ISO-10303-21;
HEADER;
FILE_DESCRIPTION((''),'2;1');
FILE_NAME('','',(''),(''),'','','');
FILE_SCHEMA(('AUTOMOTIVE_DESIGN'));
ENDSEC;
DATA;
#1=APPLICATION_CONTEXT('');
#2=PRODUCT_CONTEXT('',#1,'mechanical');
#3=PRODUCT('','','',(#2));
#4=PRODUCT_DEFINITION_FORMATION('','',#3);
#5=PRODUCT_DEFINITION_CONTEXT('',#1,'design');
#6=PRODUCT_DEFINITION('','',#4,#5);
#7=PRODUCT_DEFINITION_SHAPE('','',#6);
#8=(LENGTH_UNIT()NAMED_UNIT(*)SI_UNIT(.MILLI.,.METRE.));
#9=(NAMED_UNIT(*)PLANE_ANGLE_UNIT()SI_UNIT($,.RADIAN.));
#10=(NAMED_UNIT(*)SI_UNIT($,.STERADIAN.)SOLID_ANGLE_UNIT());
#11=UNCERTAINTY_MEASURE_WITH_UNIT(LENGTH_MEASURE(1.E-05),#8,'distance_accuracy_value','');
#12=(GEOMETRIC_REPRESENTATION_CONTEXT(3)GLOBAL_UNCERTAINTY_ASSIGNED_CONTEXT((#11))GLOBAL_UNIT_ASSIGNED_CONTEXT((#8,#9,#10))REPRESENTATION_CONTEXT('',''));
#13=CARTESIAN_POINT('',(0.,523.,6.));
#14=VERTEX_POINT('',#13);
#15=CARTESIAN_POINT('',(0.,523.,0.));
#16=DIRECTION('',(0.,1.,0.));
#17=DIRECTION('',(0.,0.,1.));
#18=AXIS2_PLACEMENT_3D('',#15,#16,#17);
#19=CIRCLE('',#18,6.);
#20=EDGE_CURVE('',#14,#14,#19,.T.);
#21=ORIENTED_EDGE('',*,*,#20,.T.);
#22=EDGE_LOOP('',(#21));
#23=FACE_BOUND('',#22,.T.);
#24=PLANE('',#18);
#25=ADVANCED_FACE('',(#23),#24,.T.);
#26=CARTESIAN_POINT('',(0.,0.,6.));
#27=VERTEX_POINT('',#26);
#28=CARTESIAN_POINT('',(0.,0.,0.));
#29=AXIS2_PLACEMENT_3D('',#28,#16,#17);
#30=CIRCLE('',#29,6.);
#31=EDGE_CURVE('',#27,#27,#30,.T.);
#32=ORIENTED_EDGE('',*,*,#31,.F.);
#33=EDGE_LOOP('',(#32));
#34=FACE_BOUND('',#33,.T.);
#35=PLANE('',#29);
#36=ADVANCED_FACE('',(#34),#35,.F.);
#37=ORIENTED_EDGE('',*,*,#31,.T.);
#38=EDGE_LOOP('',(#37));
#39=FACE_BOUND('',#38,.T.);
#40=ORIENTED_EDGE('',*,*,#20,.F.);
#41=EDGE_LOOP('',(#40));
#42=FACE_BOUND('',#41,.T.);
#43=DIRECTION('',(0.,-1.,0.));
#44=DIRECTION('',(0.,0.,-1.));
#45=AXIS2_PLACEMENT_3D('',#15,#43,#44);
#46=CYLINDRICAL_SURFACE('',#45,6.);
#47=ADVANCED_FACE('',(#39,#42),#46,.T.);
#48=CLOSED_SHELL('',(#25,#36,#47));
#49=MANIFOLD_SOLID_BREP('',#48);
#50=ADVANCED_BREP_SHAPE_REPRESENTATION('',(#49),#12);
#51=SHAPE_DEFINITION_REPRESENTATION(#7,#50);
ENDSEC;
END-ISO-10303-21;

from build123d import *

# Parameters (mm, degrees)
SKETCH1_R           = 6
BOSS_EXTRUDE1_DEPTH = 523


with BuildPart() as part:
    # Sketch1 → Boss-Extrude1 (new body)
    with BuildSketch(Plane(origin=(0, 0, 0), x_dir=(1, 0, 0), z_dir=(0, 1, 0))):
        with Locations(Location((0, 0, 0), (0, 0, 270))):
            Circle(SKETCH1_R)
    extrude(amount=BOSS_EXTRUDE1_DEPTH)


solid = part.part
